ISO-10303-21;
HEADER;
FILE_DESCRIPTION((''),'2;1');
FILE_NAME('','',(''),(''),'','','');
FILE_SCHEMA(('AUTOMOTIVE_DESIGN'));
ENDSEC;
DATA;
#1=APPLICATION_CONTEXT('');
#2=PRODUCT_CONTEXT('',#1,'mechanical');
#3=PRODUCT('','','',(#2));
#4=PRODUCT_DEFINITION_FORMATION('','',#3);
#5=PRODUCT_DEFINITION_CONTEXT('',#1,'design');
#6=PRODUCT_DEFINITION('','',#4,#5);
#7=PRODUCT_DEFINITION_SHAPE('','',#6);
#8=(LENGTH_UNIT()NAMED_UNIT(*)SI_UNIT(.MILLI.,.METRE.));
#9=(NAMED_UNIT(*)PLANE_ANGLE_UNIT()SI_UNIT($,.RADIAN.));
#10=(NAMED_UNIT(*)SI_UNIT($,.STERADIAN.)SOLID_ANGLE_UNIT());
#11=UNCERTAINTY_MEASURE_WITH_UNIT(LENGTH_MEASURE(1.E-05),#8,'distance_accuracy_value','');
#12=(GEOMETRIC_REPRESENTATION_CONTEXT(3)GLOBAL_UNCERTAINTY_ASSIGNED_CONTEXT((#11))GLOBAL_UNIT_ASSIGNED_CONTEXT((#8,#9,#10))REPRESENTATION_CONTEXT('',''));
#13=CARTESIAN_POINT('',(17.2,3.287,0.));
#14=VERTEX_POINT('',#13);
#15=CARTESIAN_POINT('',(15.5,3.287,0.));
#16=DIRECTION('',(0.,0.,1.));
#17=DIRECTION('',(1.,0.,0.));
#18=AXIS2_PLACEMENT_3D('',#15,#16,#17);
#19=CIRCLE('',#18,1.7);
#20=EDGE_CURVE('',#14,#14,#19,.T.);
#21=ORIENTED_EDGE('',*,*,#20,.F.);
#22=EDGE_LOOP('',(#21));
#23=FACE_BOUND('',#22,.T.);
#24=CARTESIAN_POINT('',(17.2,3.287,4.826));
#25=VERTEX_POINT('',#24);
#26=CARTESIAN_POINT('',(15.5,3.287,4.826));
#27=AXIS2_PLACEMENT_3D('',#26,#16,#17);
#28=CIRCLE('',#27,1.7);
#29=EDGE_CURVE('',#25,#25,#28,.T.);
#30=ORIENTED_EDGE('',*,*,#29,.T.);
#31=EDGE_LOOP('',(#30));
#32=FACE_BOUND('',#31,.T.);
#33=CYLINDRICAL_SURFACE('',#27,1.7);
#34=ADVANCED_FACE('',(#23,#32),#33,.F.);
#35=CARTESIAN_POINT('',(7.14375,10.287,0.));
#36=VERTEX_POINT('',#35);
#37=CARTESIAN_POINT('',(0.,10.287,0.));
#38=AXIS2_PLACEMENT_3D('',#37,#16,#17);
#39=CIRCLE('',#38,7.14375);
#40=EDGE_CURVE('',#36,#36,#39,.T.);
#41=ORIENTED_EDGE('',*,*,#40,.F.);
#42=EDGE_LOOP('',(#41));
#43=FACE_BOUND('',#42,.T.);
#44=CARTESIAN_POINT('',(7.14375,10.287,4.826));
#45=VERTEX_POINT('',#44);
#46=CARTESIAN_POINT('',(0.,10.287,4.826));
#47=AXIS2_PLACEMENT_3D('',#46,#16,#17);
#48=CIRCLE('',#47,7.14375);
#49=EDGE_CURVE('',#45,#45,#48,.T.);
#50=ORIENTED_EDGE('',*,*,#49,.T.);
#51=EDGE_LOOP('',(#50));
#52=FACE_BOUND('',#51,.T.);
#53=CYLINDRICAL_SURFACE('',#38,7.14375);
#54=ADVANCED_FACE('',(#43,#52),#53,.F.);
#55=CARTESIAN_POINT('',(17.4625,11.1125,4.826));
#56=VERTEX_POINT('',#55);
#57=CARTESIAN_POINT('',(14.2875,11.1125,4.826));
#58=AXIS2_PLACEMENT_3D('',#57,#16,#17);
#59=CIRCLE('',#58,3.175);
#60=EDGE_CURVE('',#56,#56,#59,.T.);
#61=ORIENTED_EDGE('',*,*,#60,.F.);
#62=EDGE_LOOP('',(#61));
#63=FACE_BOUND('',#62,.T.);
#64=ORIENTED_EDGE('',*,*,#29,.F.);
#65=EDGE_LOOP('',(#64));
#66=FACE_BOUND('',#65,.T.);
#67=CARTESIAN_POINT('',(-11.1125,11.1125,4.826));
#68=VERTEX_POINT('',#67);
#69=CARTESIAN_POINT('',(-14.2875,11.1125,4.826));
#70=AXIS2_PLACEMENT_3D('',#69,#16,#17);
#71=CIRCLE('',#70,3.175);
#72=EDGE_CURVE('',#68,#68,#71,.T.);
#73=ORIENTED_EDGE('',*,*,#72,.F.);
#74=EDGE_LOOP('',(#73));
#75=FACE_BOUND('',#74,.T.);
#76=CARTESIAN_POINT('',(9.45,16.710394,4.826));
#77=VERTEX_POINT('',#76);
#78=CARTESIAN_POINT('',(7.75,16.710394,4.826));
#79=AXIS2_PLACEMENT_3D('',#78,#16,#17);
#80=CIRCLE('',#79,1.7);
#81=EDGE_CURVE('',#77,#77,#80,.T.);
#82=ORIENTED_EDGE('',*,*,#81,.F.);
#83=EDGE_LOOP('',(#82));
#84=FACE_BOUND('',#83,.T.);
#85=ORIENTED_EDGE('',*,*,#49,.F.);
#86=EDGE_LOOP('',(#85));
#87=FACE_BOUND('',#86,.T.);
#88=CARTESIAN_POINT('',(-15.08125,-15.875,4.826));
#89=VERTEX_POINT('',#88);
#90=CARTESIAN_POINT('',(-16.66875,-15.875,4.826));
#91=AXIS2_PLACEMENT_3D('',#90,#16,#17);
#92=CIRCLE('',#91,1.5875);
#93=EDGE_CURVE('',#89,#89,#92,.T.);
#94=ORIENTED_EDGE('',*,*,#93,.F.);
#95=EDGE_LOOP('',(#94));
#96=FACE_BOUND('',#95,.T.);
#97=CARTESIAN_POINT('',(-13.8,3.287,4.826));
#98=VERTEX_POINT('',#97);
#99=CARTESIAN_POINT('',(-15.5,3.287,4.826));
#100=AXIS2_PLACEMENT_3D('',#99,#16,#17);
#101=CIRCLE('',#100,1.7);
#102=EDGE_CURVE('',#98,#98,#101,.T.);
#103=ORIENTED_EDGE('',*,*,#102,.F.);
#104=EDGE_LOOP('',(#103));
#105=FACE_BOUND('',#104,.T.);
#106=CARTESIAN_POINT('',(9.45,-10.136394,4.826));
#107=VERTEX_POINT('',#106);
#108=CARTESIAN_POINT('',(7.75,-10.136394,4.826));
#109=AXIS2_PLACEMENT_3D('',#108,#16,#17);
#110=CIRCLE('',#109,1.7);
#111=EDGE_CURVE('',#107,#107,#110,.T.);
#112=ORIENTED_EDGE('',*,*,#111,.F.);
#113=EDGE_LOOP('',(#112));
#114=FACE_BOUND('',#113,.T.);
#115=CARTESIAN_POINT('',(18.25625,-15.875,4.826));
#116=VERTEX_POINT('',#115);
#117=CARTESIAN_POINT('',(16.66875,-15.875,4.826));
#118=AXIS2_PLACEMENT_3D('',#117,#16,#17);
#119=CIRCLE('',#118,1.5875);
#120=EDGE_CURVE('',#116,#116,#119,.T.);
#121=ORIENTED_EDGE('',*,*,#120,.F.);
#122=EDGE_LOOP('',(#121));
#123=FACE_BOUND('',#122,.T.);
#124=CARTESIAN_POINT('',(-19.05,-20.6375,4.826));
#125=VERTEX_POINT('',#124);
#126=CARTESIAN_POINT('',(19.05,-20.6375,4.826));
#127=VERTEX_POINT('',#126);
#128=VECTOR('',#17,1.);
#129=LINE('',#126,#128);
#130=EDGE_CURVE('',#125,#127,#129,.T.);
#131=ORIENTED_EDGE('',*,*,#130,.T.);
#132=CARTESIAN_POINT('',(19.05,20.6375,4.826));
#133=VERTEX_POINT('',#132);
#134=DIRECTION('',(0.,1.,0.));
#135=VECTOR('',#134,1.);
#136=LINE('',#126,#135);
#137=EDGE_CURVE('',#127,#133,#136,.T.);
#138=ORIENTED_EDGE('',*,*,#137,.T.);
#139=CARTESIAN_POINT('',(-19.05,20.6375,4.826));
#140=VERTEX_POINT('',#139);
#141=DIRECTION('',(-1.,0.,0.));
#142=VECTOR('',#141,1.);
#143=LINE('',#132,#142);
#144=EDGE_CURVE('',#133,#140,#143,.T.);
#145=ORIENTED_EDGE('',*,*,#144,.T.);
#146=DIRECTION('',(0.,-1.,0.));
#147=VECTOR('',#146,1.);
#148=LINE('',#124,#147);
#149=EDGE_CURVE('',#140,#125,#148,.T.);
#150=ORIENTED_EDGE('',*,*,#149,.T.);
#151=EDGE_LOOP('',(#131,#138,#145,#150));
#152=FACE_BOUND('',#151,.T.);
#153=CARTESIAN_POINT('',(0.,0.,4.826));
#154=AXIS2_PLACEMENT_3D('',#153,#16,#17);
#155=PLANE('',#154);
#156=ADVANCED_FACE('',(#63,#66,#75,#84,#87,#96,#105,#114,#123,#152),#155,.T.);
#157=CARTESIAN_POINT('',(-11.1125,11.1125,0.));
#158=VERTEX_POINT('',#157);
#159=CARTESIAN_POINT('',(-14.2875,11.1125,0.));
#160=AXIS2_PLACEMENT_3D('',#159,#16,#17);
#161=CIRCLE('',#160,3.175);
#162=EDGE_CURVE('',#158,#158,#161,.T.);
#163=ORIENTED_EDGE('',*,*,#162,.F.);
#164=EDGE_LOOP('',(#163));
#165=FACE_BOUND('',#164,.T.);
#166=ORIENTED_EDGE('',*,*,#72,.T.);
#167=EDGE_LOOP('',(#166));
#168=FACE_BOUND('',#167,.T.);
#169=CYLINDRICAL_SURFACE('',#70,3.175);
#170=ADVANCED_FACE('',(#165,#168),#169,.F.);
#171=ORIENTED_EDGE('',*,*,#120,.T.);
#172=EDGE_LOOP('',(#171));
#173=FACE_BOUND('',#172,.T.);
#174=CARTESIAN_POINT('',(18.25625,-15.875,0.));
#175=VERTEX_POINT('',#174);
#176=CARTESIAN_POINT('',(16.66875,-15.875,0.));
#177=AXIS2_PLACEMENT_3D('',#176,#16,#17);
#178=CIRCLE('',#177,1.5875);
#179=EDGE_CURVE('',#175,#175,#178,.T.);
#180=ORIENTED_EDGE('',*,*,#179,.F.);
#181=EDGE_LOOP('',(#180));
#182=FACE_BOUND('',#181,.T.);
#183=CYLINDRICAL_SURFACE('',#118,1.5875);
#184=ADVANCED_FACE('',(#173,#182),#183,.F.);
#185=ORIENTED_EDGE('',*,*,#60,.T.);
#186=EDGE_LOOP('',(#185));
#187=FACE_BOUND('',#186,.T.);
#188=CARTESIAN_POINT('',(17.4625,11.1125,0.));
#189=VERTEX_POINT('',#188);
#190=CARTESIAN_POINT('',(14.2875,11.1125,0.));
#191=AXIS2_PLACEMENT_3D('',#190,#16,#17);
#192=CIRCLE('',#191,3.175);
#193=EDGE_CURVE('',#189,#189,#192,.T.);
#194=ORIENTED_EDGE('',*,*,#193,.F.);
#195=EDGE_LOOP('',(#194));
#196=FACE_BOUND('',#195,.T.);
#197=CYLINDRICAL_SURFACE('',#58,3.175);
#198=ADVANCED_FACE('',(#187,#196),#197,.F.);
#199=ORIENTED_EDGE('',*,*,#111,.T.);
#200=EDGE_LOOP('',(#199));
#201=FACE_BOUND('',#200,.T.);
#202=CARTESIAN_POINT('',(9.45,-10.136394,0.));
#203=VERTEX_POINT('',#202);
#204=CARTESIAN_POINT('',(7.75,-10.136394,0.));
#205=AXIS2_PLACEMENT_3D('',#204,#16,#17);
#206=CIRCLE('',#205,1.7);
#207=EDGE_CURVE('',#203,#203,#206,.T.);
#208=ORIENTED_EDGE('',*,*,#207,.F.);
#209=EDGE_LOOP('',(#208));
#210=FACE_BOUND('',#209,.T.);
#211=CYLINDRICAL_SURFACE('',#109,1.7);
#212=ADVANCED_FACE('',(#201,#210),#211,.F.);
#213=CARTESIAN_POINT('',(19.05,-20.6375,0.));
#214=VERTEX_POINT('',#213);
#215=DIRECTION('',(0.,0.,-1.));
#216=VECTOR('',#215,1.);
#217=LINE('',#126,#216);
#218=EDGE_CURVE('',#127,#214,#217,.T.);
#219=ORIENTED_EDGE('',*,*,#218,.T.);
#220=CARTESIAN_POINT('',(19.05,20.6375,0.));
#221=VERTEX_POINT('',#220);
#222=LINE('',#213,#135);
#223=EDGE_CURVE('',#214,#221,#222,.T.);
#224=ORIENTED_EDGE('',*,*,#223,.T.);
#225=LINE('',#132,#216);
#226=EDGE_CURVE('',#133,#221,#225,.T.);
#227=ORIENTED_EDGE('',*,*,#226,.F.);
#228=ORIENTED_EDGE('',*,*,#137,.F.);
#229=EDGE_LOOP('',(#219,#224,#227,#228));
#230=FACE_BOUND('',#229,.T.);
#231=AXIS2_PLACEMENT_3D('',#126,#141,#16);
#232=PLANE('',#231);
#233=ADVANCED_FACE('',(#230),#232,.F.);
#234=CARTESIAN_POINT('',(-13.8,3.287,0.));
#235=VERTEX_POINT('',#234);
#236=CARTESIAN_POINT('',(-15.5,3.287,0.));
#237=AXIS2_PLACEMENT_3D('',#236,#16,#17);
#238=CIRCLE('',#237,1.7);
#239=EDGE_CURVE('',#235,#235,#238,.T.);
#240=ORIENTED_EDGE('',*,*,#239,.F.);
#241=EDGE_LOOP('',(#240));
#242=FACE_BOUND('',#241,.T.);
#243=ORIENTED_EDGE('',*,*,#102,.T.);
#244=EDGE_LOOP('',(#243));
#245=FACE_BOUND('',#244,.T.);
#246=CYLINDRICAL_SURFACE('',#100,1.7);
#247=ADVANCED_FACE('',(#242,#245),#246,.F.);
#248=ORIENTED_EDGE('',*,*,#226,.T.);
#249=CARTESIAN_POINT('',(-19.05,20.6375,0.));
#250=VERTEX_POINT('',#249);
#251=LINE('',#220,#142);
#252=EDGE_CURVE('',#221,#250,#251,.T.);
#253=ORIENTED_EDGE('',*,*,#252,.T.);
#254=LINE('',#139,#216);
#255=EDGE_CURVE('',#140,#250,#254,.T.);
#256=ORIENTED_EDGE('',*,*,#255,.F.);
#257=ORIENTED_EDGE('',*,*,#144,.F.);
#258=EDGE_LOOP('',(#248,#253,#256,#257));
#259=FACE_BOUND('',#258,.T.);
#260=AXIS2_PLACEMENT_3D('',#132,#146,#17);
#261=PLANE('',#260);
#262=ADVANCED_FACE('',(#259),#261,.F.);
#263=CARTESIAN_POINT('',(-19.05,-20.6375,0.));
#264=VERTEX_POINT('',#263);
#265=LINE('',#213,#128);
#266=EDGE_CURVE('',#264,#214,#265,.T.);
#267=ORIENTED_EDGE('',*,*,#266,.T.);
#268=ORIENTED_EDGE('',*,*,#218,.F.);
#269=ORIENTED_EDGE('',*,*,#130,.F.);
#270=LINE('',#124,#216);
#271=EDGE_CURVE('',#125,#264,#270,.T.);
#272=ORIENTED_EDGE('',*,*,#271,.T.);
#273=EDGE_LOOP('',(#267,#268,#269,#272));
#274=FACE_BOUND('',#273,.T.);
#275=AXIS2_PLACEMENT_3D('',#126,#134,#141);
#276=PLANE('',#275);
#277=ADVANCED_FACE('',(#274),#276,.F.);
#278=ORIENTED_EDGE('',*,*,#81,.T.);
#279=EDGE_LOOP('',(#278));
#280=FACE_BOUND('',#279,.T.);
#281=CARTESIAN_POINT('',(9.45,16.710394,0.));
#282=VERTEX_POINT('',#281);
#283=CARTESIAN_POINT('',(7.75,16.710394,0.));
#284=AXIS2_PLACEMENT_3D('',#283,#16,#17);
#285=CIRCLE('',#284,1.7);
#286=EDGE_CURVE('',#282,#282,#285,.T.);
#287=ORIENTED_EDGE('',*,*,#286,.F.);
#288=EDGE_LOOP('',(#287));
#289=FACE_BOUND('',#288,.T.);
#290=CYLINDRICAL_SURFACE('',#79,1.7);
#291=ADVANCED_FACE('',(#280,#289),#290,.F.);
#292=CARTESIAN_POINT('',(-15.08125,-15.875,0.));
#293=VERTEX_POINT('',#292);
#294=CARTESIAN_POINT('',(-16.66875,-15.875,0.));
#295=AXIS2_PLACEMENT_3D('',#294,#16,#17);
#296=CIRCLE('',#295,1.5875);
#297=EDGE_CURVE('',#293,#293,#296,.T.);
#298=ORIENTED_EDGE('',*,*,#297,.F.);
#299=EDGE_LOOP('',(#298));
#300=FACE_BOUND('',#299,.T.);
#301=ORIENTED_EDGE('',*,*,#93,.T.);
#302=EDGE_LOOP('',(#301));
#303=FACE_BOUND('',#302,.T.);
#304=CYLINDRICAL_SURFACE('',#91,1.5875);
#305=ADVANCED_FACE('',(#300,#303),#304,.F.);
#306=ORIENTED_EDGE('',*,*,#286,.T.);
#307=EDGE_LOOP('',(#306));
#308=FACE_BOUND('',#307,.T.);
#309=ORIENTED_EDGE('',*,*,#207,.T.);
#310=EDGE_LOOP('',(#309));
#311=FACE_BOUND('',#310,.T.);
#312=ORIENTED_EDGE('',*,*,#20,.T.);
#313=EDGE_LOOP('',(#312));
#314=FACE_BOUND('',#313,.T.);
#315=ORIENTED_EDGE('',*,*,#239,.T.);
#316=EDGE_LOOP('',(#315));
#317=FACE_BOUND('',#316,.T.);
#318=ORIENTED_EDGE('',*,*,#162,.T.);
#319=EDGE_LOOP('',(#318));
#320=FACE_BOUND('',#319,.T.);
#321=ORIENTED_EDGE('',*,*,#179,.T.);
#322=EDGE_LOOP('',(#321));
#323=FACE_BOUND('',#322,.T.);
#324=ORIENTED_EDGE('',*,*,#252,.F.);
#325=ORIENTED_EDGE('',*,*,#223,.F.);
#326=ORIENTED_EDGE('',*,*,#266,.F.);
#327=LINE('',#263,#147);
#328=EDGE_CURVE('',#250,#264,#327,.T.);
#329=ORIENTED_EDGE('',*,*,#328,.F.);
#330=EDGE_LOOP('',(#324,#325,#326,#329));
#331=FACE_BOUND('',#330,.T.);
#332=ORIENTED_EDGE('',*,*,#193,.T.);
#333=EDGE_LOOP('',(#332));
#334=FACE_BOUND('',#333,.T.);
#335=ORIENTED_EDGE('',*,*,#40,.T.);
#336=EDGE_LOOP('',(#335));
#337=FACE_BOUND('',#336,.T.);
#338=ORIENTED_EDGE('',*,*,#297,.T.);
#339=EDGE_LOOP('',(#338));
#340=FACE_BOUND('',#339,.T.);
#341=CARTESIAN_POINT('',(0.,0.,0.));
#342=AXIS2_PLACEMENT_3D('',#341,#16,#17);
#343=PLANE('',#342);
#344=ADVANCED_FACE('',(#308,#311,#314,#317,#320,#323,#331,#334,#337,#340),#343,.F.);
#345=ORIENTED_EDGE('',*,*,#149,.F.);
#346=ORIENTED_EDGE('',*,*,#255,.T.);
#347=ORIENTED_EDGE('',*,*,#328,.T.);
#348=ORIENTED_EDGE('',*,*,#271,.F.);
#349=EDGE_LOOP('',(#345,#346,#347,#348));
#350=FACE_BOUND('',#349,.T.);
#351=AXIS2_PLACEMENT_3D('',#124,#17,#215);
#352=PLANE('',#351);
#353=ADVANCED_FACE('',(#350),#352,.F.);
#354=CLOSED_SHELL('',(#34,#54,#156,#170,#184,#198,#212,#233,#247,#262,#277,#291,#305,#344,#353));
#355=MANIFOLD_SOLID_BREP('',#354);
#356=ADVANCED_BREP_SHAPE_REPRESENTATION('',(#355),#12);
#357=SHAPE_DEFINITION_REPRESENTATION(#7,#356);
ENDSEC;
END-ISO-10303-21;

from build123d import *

# Parameters (mm, degrees)
SKETCH1_W                           = 38.1
SKETCH1_H                           = 41.275
BOSS_EXTRUDE1_DEPTH                 = 4.826
SKETCH2_R                           = 7.14375
CUT_EXTRUDE1_DEPTH                  = 29.497353952
F_3_4_3_4_DIAMETER_HOLE1_D          = 3.4
F_1_4_0_25_DIAMETER_HOLE1_D         = 6.35
F_1_8_0_125_CLEARANCE_DOWEL_HOLE1_D = 3.175


with BuildPart() as part:
    # Sketch1 → Boss-Extrude1 (new body)
    with BuildSketch(Plane.XY):
        Rectangle(SKETCH1_W, SKETCH1_H)
    extrude(amount=BOSS_EXTRUDE1_DEPTH)

    # Sketch2 → Cut-Extrude1 (cut, through all)
    with BuildSketch(Plane.XY.offset(4.826)):
        with Locations((0, 10.287)):
            Circle(SKETCH2_R)
    extrude(amount=-CUT_EXTRUDE1_DEPTH, mode=Mode.SUBTRACT)

    # Ø3.4 (3.4) Diameter Hole1 (through all)
    with Locations(Plane.XY.offset(4.826)):
        with Locations((-15.5, 3.287), (7.75, 16.710393759), (15.5, 3.287), (7.75, -10.136393759)):
            Hole(F_3_4_3_4_DIAMETER_HOLE1_D / 2)

    # 1/4 (0.25) Diameter Hole1 (through all)
    with Locations(Plane.XY.offset(4.826)):
        with Locations((-14.2875, 11.1125), (14.2875, 11.1125)):
            Hole(F_1_4_0_25_DIAMETER_HOLE1_D / 2)

    # 1/8 (0.125) Clearance Dowel Hole1 (through all)
    with Locations(Plane.XY.offset(4.826)):
        with Locations((-16.66875, -15.875), (16.66875, -15.875)):
            Hole(F_1_8_0_125_CLEARANCE_DOWEL_HOLE1_D / 2)


solid = part.part
